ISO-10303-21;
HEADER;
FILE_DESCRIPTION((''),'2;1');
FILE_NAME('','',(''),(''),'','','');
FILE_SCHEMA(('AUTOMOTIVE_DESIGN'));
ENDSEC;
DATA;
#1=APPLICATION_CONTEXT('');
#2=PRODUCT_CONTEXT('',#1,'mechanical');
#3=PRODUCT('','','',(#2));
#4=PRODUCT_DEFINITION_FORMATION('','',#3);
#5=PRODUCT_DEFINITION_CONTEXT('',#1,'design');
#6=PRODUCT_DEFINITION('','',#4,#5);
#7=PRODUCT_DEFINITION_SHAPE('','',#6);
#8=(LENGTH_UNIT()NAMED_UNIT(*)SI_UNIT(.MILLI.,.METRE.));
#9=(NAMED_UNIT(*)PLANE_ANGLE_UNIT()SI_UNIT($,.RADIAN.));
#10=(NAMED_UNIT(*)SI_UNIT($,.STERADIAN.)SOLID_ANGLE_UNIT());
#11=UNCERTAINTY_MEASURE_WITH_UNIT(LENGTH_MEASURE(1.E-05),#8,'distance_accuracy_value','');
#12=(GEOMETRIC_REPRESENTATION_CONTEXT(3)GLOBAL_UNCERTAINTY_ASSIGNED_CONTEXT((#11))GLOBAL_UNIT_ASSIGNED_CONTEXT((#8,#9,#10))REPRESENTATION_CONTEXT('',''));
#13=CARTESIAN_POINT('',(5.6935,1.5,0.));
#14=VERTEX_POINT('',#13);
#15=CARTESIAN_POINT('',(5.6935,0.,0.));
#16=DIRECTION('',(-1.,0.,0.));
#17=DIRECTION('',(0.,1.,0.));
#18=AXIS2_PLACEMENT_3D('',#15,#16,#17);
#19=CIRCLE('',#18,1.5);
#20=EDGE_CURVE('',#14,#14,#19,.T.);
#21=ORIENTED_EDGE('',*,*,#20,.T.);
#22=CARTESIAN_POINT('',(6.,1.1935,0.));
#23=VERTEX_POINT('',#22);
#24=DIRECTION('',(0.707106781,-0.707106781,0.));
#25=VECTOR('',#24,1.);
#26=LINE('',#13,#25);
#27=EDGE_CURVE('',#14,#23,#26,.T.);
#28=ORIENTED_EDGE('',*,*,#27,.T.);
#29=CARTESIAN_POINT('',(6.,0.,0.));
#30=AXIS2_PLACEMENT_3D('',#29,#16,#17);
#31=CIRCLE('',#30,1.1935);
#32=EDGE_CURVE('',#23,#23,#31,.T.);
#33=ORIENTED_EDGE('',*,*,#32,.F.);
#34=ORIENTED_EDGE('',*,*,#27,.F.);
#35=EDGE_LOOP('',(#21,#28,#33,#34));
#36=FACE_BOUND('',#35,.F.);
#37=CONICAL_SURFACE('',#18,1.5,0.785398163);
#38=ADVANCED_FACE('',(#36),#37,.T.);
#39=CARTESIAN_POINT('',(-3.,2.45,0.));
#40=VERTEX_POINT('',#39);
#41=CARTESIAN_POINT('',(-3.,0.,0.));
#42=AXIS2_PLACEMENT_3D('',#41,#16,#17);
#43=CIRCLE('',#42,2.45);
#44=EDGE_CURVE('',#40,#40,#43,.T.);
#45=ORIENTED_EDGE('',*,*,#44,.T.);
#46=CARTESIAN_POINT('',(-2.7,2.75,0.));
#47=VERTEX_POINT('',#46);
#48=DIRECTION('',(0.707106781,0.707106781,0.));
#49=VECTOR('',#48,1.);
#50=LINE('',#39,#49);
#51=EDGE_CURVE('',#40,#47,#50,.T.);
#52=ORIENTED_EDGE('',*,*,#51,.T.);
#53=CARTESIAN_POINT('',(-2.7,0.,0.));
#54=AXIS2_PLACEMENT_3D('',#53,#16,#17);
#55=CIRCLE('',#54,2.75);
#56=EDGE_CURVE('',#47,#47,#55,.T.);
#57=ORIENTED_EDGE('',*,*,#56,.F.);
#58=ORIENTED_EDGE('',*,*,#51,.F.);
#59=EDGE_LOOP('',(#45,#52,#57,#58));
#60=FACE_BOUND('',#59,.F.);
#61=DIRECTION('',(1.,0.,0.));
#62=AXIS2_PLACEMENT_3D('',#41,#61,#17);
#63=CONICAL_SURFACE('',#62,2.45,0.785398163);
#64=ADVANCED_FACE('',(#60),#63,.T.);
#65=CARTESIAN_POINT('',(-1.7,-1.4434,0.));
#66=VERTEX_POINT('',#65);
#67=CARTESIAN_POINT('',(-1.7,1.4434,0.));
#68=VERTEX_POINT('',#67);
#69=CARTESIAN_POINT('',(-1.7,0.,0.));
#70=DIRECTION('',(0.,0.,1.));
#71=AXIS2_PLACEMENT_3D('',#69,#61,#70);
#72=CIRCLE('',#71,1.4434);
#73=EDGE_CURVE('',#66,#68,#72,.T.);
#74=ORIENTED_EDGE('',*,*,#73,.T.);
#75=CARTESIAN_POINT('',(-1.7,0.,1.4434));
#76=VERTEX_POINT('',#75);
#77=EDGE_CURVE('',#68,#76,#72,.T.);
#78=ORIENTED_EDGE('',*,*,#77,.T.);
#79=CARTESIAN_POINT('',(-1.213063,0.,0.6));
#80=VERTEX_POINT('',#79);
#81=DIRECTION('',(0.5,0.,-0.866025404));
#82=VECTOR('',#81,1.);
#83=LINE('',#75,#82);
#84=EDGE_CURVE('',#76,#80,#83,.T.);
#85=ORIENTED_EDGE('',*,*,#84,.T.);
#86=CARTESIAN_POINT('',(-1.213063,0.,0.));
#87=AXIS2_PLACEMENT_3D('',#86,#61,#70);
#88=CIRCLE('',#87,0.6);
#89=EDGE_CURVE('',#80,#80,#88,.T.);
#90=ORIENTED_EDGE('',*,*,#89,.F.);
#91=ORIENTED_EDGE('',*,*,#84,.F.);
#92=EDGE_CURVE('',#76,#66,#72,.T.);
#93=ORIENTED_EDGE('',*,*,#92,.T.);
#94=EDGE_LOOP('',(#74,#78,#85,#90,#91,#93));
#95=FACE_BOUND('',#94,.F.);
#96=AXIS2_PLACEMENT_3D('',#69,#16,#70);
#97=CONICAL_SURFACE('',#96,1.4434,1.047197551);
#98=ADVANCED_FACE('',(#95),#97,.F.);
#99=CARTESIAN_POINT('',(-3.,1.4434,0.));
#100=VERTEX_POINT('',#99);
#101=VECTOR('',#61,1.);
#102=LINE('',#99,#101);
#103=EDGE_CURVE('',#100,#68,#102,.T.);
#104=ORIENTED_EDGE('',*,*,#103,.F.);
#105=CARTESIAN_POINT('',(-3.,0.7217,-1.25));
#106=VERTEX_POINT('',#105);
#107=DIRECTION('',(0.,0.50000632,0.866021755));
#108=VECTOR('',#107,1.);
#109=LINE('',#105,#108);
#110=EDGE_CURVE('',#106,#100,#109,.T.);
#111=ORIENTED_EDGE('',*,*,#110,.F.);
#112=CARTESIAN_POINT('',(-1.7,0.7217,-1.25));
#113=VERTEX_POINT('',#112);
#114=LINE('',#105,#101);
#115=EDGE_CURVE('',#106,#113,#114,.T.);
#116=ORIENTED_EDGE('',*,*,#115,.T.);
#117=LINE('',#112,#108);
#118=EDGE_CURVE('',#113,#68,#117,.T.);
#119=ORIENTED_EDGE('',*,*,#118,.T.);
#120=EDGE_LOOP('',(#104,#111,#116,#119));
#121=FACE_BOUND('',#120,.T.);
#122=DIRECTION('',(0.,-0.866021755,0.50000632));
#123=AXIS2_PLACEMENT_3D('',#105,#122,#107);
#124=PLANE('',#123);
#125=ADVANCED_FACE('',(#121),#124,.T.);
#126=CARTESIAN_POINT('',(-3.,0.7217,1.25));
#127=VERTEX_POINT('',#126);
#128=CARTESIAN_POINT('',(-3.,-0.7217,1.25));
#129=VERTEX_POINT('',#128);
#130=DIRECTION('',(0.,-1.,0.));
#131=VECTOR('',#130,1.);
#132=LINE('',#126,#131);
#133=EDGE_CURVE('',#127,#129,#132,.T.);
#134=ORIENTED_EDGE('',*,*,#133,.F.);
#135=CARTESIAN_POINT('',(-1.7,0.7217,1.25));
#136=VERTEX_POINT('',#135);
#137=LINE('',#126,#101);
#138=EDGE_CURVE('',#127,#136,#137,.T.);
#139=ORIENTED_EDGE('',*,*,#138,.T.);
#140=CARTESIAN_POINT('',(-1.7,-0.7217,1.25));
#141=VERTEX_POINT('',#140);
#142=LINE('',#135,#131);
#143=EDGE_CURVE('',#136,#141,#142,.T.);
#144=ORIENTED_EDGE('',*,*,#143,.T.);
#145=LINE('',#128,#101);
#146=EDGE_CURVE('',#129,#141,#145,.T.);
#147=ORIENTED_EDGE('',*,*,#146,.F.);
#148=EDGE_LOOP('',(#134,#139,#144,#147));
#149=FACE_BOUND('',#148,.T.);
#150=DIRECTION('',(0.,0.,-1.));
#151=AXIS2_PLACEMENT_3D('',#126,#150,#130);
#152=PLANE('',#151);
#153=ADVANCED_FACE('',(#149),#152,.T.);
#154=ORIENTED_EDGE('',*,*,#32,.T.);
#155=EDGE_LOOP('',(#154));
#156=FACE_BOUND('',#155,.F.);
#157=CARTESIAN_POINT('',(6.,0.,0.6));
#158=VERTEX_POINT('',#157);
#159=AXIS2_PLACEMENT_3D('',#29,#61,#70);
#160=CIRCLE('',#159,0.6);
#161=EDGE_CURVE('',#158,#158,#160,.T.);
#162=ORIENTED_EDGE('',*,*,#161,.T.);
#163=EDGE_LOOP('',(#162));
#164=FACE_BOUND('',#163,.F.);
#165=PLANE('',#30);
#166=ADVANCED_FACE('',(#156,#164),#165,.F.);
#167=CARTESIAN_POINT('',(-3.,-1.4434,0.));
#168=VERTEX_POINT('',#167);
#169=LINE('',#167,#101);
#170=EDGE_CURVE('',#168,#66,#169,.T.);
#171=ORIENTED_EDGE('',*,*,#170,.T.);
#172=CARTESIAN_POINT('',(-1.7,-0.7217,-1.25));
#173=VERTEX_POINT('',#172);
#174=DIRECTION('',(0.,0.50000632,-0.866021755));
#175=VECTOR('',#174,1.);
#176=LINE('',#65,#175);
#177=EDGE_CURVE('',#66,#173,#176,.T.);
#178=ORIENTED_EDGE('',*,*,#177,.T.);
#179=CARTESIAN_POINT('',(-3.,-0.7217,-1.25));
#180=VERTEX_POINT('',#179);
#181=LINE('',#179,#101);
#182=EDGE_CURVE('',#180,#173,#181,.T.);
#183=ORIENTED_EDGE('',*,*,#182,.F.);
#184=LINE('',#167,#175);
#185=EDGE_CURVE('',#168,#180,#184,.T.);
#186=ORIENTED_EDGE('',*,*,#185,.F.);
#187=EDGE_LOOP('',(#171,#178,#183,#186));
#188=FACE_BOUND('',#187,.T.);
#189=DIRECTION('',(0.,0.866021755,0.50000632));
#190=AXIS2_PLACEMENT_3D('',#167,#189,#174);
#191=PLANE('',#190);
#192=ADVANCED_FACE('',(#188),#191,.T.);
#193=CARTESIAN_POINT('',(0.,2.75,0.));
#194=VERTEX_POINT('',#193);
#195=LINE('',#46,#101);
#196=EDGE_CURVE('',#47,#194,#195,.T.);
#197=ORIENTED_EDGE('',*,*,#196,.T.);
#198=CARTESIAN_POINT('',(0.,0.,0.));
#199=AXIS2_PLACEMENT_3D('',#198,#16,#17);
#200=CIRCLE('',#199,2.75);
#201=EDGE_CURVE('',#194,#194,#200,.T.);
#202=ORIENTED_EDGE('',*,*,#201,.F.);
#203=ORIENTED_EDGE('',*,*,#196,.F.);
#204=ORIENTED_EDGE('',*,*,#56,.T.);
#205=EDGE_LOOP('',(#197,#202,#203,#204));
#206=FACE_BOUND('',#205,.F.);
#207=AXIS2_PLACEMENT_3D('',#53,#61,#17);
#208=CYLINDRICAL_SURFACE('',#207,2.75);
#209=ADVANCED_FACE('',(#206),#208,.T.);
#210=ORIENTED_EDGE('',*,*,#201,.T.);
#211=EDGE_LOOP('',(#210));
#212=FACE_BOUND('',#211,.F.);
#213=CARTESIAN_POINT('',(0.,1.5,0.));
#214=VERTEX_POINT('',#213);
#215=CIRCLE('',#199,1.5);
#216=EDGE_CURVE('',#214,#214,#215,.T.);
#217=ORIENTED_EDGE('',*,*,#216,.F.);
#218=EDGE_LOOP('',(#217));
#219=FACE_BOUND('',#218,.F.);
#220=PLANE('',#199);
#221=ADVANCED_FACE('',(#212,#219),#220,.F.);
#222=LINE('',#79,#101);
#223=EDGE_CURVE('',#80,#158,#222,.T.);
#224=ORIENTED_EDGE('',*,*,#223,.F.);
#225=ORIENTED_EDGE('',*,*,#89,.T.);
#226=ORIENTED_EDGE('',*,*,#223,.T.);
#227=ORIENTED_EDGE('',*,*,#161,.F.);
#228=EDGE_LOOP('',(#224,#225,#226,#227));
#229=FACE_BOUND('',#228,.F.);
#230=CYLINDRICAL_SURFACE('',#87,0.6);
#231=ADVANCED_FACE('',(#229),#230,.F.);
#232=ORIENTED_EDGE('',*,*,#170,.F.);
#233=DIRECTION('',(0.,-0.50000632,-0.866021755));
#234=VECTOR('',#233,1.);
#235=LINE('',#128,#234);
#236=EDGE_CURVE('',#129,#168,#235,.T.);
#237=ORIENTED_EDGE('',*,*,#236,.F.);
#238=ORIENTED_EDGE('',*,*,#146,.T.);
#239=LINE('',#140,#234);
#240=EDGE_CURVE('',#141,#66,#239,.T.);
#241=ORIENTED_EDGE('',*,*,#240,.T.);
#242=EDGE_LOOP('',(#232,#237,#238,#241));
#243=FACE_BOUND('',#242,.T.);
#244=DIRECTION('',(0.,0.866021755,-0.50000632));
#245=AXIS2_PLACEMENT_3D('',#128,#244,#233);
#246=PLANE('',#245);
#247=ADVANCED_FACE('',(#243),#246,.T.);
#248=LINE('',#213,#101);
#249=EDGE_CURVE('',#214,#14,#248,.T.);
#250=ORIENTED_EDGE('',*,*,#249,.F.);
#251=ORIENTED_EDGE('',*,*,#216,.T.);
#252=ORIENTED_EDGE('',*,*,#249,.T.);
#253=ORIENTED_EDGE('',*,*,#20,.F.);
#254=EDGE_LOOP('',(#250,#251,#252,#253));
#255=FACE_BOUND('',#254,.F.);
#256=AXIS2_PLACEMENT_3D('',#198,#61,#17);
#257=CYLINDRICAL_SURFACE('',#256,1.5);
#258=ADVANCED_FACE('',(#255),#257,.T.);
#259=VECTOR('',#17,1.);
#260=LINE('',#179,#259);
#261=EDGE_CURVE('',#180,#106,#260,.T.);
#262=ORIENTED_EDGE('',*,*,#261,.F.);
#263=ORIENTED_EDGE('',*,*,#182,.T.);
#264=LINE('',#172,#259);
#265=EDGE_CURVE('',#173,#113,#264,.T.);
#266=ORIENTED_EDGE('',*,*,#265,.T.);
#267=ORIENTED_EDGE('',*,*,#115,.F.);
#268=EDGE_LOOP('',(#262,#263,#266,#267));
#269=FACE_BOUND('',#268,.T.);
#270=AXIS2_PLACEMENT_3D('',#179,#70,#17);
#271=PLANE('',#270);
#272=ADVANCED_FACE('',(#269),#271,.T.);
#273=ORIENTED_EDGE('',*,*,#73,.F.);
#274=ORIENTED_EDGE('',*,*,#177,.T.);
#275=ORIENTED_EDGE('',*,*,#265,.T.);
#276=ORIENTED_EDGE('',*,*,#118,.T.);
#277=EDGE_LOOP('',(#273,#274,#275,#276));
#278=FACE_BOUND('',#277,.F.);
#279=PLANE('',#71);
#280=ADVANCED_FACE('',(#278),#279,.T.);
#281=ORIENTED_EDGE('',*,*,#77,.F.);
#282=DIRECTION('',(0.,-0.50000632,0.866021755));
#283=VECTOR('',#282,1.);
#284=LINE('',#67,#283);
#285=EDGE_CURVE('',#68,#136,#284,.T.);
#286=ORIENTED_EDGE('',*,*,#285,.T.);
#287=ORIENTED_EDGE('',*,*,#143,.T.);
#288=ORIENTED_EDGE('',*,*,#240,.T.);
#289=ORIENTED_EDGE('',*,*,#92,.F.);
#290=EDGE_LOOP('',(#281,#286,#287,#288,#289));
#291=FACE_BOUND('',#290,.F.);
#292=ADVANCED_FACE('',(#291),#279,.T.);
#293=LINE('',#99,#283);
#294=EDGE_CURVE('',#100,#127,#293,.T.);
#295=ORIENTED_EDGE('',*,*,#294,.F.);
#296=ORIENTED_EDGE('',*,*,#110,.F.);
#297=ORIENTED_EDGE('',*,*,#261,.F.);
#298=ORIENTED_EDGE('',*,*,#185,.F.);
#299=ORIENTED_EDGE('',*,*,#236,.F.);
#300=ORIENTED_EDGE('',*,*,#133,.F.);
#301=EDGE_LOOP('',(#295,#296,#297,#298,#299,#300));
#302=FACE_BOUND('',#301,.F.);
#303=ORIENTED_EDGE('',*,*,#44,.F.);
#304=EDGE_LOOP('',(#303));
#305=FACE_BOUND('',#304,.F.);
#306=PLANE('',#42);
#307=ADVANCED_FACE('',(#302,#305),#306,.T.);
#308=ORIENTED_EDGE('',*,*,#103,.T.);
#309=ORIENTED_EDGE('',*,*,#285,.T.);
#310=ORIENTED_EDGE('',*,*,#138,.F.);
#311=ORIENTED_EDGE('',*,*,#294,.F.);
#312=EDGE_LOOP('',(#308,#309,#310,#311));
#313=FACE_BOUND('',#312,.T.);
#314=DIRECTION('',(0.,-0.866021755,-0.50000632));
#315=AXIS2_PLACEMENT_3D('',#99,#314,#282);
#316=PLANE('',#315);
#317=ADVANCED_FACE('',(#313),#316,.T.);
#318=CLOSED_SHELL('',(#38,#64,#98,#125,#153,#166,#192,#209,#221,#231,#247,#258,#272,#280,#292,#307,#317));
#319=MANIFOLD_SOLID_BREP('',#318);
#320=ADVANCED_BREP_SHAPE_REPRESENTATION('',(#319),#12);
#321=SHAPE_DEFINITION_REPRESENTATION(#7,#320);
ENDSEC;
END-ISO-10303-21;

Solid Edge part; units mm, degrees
sketch "Sketch1" plane through (0, 0, 0) normal (0, 0, 1) x (1, 0, 0)
  line L0 (-3, 0) -> (-3, 2.45)
  line L1 (-3, 2.45) -> (-2.7, 2.75)
  line L2 (-2.7, 2.75) -> (0, 2.75)
  line L3 (0, 2.75) -> (0, 1.5)
  line L4 (0, 1.5) -> (5.6935, 1.5)
  line L5 (5.6935, 1.5) -> (6, 1.1935)
  line L6 (6, 1.1935) -> (6, 0)
  line L7 (6, 0) -> (-3, 0)
revolve "RevolvedProtrusion1" add sketch "Sketch1" angle 360 about axis through (6, 0, 0) along (-1, 0, 0)
cosmetic_thread "Thread1" size "M3"
sketch "Sketch2" plane through (-3, 0, 0) normal (1, 0, 0) x (0, 1, 0)
  line L0 (-0.7217, 1.25) -> (-1.4434, 0)
  line L1 (-1.4434, 0) -> (-0.7217, -1.25)
  line L2 (-0.7217, -1.25) -> (0.7217, -1.25)
  line L3 (0.7217, -1.25) -> (1.4434, 0)
  line L4 (1.4434, 0) -> (0.7217, 1.25)
  line L5 (0.7217, 1.25) -> (-0.7217, 1.25)
extrude "ExtrudedCutout_1" cut sketch "Sketch2" along normal blind 1.3
hole "Hole_1" at (-1.7, 0, 0) direction (1, 0, 0) diameter 1.2 depth 7.7 countersink diameter 2.8868 countersink angle 120
properties part number "SVSS-M3-6-MOS"
